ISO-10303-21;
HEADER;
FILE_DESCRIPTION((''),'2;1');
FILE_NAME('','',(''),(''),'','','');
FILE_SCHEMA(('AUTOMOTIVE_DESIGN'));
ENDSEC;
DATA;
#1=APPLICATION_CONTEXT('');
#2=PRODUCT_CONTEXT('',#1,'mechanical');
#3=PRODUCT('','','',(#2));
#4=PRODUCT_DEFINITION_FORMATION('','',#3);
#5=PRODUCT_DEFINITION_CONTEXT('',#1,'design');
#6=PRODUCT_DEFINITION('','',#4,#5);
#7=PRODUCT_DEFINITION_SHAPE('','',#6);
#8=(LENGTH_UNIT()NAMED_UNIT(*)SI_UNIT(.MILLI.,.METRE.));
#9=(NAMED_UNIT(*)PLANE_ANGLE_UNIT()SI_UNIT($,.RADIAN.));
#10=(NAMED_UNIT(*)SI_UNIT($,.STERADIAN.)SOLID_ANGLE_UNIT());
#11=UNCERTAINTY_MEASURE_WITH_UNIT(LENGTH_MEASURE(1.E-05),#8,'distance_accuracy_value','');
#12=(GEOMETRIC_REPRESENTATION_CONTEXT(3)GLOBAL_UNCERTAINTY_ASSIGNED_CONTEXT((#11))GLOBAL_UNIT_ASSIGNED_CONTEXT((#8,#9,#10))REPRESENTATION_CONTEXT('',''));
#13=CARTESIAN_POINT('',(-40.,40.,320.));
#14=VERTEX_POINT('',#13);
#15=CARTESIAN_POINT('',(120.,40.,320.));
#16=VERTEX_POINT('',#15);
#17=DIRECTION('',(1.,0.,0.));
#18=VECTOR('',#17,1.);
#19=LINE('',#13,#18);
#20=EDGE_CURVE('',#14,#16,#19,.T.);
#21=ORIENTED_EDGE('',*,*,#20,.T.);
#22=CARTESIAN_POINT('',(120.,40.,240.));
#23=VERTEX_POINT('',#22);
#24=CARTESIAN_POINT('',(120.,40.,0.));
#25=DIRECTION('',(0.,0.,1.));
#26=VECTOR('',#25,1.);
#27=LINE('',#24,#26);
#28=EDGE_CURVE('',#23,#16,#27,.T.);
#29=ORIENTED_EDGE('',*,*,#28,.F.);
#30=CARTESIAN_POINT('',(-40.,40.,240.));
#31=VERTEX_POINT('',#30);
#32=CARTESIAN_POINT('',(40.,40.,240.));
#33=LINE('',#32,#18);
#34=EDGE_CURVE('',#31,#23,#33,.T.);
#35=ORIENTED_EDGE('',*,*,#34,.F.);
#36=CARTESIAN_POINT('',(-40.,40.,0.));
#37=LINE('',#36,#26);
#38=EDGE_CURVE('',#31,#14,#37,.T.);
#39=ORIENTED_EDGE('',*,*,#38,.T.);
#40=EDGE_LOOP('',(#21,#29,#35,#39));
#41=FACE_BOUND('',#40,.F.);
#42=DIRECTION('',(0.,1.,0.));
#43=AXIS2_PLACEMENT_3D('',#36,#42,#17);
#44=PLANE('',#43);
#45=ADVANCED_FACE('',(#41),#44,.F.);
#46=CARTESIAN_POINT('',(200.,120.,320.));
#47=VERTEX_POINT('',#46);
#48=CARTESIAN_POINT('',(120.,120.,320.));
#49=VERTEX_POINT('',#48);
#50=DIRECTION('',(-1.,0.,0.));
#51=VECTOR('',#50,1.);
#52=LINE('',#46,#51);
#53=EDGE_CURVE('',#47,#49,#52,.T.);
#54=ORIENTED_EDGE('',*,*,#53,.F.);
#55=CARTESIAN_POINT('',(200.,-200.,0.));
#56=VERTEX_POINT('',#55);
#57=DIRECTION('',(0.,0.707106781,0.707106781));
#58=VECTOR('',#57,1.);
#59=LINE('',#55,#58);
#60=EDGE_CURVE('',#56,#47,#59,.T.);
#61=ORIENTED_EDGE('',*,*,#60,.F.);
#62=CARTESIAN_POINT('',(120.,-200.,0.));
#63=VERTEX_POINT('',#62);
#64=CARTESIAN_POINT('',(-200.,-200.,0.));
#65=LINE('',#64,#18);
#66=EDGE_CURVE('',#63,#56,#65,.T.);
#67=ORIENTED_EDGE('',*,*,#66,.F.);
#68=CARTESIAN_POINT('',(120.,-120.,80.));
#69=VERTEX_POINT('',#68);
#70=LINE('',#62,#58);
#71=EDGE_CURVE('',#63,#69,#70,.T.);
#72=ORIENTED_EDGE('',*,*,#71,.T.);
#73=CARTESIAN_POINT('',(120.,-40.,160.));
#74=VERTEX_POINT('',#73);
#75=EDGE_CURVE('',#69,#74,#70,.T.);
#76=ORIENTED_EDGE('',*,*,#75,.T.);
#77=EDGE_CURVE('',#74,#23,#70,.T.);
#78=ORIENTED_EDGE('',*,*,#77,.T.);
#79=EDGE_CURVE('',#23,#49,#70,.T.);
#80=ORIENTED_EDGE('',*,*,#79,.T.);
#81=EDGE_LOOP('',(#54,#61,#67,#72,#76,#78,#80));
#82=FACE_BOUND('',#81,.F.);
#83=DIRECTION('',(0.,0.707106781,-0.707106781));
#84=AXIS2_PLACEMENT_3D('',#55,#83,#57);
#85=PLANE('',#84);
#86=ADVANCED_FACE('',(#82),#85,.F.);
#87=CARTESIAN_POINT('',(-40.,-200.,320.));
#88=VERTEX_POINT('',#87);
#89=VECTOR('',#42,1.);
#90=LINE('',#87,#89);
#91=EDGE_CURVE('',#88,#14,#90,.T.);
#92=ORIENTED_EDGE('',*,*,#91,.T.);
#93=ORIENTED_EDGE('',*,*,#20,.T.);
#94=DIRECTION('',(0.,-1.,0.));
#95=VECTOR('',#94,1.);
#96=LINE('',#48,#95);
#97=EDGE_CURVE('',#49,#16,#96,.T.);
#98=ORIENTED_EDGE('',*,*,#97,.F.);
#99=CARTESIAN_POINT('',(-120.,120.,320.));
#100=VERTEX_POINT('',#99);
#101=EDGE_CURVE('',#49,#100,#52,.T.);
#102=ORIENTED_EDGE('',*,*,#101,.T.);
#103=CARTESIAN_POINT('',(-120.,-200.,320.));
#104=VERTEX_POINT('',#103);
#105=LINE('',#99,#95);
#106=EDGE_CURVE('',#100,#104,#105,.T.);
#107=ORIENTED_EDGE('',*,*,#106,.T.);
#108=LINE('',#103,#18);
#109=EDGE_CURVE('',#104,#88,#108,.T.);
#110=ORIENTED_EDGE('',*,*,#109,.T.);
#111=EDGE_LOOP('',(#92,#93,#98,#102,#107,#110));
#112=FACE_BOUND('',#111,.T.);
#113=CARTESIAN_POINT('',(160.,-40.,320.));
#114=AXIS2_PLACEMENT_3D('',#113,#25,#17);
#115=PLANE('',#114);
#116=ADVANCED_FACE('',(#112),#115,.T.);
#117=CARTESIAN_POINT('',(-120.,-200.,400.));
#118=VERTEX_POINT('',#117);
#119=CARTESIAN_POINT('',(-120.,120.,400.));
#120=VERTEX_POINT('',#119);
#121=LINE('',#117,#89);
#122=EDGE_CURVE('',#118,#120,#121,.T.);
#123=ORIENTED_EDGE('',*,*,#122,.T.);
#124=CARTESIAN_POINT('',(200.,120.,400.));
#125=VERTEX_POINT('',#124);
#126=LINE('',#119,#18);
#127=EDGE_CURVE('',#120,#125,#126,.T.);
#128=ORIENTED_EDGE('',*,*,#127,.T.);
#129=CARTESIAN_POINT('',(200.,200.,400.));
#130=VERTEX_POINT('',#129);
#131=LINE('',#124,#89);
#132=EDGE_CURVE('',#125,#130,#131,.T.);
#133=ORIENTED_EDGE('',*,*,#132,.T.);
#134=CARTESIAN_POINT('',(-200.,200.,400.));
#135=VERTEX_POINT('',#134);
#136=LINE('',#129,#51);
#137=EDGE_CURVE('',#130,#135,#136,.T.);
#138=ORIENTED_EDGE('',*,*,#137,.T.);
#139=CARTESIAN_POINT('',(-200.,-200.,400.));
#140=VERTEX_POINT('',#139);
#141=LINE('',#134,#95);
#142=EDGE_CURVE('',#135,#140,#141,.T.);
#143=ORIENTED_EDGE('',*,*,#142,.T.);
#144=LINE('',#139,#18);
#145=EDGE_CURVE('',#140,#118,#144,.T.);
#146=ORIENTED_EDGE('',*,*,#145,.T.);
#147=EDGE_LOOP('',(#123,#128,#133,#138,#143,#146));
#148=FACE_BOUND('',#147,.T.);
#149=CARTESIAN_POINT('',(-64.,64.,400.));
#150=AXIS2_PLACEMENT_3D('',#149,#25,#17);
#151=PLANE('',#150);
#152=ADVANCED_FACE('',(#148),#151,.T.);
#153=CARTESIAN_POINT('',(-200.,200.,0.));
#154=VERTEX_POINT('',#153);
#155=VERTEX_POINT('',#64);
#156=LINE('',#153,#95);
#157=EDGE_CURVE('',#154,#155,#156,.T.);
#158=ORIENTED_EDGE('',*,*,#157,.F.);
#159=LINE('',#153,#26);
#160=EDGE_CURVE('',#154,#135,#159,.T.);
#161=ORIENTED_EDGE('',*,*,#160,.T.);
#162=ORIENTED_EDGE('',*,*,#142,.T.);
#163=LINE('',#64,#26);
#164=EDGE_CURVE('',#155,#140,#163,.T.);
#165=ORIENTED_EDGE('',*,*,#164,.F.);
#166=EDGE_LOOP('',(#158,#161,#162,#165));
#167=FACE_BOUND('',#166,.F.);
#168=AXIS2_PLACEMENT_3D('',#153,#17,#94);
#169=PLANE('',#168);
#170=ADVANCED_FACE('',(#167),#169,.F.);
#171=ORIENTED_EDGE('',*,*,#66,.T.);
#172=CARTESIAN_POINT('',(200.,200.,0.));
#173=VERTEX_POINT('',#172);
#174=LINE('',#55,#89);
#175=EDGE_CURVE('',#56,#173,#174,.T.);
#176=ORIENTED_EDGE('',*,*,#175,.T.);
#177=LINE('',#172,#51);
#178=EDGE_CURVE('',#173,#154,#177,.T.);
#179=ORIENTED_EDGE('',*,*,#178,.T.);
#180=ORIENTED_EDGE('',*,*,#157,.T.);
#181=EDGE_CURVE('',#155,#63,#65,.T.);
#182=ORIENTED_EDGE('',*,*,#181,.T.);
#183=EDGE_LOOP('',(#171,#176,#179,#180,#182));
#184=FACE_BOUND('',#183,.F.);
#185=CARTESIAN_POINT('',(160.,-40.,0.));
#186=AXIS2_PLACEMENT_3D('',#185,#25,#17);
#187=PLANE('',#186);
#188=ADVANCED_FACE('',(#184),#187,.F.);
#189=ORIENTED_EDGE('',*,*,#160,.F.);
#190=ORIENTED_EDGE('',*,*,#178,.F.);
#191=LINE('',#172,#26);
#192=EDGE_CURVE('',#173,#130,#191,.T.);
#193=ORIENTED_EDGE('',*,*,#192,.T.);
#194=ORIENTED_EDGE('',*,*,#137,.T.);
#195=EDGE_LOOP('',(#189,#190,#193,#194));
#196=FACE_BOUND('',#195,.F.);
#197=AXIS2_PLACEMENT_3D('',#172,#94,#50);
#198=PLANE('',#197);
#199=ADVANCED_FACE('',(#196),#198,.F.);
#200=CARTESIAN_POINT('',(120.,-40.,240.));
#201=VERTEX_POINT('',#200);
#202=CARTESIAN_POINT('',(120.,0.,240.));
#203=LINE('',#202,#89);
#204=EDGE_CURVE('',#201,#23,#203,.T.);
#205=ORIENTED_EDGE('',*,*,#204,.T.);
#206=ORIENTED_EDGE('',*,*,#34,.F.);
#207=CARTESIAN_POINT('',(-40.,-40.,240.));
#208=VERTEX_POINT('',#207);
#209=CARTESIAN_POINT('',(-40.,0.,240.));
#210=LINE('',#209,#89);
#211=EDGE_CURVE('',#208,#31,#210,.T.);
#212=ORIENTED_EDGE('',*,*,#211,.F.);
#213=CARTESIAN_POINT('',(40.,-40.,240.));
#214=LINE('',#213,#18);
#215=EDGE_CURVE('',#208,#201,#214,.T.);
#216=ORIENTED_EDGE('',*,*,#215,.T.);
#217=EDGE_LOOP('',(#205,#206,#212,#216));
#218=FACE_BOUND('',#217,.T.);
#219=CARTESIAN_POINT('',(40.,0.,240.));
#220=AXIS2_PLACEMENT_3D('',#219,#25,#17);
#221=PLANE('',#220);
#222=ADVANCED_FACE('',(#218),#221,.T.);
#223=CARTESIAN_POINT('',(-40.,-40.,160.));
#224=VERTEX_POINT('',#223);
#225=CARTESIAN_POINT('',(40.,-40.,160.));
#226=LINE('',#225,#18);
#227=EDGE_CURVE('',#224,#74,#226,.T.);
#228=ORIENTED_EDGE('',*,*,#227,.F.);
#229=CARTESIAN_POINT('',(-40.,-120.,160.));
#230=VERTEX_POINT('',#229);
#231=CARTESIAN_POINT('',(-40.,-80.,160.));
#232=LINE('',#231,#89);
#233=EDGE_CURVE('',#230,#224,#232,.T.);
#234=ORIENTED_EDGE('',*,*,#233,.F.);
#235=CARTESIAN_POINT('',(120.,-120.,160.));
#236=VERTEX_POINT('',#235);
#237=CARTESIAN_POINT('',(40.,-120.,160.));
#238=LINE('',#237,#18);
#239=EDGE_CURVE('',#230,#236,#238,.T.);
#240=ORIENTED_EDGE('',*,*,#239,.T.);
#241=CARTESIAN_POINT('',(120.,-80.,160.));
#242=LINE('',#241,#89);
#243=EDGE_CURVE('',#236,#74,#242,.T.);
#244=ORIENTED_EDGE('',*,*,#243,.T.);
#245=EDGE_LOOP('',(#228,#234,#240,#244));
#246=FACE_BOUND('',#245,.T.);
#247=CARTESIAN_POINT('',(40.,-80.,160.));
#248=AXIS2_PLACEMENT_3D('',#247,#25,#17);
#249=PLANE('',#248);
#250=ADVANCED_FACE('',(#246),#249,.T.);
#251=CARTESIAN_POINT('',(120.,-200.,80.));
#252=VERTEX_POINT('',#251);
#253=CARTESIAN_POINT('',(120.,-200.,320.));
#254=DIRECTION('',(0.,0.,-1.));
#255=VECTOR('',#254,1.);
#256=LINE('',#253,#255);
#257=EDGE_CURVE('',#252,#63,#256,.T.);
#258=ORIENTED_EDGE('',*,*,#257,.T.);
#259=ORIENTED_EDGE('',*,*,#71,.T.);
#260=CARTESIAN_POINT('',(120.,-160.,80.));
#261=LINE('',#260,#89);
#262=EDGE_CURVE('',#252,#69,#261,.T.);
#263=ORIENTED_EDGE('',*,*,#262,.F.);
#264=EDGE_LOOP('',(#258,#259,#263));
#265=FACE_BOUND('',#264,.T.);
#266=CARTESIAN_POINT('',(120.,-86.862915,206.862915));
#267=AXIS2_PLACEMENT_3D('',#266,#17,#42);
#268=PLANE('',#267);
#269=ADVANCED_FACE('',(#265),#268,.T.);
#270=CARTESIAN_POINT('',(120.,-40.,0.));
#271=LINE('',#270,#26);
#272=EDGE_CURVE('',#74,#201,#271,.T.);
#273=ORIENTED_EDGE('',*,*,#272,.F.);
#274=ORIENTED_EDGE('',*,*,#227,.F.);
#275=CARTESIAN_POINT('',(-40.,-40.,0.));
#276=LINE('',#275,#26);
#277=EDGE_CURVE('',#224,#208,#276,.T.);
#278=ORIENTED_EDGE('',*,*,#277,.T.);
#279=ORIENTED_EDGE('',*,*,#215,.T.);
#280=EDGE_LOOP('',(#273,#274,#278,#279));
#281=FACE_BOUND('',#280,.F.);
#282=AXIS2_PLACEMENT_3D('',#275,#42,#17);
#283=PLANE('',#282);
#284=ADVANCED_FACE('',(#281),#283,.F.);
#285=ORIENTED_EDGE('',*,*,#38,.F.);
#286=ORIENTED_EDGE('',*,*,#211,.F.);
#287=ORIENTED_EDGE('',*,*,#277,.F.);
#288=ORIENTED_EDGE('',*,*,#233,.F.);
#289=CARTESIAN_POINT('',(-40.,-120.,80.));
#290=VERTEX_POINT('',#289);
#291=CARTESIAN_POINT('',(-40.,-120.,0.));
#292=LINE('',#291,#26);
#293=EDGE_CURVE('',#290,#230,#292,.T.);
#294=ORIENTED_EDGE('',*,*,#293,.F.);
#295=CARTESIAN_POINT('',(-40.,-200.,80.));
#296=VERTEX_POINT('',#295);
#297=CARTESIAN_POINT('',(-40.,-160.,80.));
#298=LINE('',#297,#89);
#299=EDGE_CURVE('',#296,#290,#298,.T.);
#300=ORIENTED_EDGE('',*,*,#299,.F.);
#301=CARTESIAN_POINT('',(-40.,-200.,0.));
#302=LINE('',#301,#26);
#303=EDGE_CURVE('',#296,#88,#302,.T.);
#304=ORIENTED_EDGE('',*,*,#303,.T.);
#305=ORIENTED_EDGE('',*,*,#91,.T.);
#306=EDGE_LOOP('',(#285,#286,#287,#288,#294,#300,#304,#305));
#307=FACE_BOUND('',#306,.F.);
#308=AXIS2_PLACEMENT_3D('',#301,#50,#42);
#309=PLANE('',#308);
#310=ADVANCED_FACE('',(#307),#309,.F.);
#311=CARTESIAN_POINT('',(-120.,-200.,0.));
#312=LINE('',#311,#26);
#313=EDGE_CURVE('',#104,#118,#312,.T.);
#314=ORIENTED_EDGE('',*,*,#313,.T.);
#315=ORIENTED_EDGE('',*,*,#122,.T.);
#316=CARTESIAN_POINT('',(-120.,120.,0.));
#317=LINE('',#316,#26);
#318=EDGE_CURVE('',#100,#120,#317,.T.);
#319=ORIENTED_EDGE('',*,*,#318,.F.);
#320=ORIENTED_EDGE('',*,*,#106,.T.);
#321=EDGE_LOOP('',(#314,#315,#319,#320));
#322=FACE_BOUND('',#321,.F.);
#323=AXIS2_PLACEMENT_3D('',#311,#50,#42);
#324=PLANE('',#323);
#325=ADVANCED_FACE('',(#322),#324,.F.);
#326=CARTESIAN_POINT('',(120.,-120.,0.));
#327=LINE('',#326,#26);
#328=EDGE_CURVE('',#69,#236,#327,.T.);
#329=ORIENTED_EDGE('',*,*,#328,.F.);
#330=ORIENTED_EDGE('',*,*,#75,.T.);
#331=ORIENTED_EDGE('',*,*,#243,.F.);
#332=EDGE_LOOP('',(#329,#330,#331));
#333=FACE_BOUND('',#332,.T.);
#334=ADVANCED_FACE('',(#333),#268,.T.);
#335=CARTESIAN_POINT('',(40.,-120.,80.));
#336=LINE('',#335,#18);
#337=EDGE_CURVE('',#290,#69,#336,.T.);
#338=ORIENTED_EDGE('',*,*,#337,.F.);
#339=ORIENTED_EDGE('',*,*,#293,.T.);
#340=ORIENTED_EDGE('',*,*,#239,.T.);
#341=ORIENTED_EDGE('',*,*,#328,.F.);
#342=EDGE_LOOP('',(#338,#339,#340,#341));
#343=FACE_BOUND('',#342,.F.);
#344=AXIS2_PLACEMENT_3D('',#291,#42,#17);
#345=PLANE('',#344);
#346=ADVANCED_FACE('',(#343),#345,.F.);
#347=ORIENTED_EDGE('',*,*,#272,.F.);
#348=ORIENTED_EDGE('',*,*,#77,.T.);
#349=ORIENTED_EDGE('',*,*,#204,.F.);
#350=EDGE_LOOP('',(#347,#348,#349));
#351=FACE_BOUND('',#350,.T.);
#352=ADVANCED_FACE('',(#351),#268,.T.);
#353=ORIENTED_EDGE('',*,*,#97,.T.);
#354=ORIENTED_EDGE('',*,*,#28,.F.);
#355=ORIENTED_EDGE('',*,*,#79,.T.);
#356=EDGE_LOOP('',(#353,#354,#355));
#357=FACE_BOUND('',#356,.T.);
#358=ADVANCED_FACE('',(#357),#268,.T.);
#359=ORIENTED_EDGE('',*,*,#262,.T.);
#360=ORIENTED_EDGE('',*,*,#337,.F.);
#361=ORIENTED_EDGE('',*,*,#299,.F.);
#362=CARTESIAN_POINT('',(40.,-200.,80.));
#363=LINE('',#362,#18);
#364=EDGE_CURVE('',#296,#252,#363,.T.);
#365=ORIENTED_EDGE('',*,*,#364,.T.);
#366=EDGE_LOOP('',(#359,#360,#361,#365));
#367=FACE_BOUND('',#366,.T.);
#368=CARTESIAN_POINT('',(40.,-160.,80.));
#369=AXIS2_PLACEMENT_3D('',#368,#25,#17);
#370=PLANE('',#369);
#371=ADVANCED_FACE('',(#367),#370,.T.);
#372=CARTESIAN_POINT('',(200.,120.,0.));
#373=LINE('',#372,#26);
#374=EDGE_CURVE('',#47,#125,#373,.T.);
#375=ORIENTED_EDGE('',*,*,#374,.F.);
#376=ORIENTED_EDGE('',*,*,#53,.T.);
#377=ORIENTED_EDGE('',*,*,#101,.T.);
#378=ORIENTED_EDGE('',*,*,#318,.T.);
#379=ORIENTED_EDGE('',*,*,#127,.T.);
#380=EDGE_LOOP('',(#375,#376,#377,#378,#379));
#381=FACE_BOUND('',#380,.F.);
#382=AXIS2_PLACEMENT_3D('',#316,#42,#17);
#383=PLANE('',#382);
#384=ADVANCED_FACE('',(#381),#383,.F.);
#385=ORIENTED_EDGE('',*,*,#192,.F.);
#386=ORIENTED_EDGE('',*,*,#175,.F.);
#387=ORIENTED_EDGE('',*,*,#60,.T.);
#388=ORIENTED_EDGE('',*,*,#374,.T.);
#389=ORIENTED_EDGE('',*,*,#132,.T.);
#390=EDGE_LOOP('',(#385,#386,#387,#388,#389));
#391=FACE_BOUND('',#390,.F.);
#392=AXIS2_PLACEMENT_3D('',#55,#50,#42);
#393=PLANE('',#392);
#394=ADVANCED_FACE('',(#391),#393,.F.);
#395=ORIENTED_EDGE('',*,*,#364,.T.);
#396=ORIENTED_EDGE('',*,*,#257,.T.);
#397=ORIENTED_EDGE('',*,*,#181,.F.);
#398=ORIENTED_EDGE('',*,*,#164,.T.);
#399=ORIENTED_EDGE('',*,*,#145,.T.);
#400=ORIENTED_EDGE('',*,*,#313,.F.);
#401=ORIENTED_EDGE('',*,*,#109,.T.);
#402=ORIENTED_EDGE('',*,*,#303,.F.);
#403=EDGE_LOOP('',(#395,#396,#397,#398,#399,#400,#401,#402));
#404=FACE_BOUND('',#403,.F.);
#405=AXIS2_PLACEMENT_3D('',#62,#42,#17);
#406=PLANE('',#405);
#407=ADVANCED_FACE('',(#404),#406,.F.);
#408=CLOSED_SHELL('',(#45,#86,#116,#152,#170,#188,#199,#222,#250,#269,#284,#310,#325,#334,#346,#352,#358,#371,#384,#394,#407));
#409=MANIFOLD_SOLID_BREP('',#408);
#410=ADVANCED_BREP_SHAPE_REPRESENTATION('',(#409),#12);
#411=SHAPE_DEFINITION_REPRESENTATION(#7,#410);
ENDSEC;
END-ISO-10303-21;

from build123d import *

# Parameters (mm, degrees)
F1_DEPTH = 400
F0_W     = 160
F0_H     = 80
F2_DEPTH = 80
F3_DEPTH = 160
F4_DEPTH = 240
F5_DEPTH = 320
F6_DEPTH = 320
F8_DEPTH = 80


with BuildPart() as f1:
    # F0 (on Top) → F1 (new body)
    with BuildSketch(Plane.XY):
        Polygon((200, 200), (-200, 200), (-200, -200), (-120, -200), (-120, 120), (120, 120), (200, 120), align=None)
    extrude(amount=F1_DEPTH)



with BuildPart() as f2:
    # F0 (on Top) → F2 (new body)
    with BuildSketch(Plane.XY):
        with Locations((40, -160)):
            Rectangle(F0_W, F0_H)
    extrude(amount=F2_DEPTH)

    # F0 (on Top) → F3 (join)
    with BuildSketch(Plane.XY):
        with Locations((40, -80)):
            Rectangle(F0_W, F0_H)
    extrude(amount=F3_DEPTH)

    # F0 (on Top) → F4 (join)
    with BuildSketch(Plane.XY):
        with Locations((40, 0)):
            Rectangle(F0_W, F0_H)
    extrude(amount=F4_DEPTH)


with BuildPart() as f1_1:
    add(f1.part)

    add(f2.part)  # F5 merges F2
    # F0 (on Top) → F5 (join)
    with BuildSketch(Plane.XY):
        Polygon((-120, 120), (-120, -200), (-40, -200), (-40, -120), (-40, -40), (-40, 40), (120, 40), (120, 120), align=None)
    extrude(amount=F5_DEPTH)

    # F0 (on Top) → F6 (join)
    with BuildSketch(Plane.XY):
        Polygon((200, -200), (200, 120), (120, 120), (120, 40), (120, -40), (120, -120), (120, -200), align=None)
    extrude(amount=F6_DEPTH)

    # F7 (on face) → F8 (cut)
    with BuildSketch(Plane.YZ.offset(200)):
        Polygon((-200, 0), (120, 320), (-200, 320), align=None)
    extrude(amount=-F8_DEPTH, mode=Mode.SUBTRACT)


solid = f1_1.part
